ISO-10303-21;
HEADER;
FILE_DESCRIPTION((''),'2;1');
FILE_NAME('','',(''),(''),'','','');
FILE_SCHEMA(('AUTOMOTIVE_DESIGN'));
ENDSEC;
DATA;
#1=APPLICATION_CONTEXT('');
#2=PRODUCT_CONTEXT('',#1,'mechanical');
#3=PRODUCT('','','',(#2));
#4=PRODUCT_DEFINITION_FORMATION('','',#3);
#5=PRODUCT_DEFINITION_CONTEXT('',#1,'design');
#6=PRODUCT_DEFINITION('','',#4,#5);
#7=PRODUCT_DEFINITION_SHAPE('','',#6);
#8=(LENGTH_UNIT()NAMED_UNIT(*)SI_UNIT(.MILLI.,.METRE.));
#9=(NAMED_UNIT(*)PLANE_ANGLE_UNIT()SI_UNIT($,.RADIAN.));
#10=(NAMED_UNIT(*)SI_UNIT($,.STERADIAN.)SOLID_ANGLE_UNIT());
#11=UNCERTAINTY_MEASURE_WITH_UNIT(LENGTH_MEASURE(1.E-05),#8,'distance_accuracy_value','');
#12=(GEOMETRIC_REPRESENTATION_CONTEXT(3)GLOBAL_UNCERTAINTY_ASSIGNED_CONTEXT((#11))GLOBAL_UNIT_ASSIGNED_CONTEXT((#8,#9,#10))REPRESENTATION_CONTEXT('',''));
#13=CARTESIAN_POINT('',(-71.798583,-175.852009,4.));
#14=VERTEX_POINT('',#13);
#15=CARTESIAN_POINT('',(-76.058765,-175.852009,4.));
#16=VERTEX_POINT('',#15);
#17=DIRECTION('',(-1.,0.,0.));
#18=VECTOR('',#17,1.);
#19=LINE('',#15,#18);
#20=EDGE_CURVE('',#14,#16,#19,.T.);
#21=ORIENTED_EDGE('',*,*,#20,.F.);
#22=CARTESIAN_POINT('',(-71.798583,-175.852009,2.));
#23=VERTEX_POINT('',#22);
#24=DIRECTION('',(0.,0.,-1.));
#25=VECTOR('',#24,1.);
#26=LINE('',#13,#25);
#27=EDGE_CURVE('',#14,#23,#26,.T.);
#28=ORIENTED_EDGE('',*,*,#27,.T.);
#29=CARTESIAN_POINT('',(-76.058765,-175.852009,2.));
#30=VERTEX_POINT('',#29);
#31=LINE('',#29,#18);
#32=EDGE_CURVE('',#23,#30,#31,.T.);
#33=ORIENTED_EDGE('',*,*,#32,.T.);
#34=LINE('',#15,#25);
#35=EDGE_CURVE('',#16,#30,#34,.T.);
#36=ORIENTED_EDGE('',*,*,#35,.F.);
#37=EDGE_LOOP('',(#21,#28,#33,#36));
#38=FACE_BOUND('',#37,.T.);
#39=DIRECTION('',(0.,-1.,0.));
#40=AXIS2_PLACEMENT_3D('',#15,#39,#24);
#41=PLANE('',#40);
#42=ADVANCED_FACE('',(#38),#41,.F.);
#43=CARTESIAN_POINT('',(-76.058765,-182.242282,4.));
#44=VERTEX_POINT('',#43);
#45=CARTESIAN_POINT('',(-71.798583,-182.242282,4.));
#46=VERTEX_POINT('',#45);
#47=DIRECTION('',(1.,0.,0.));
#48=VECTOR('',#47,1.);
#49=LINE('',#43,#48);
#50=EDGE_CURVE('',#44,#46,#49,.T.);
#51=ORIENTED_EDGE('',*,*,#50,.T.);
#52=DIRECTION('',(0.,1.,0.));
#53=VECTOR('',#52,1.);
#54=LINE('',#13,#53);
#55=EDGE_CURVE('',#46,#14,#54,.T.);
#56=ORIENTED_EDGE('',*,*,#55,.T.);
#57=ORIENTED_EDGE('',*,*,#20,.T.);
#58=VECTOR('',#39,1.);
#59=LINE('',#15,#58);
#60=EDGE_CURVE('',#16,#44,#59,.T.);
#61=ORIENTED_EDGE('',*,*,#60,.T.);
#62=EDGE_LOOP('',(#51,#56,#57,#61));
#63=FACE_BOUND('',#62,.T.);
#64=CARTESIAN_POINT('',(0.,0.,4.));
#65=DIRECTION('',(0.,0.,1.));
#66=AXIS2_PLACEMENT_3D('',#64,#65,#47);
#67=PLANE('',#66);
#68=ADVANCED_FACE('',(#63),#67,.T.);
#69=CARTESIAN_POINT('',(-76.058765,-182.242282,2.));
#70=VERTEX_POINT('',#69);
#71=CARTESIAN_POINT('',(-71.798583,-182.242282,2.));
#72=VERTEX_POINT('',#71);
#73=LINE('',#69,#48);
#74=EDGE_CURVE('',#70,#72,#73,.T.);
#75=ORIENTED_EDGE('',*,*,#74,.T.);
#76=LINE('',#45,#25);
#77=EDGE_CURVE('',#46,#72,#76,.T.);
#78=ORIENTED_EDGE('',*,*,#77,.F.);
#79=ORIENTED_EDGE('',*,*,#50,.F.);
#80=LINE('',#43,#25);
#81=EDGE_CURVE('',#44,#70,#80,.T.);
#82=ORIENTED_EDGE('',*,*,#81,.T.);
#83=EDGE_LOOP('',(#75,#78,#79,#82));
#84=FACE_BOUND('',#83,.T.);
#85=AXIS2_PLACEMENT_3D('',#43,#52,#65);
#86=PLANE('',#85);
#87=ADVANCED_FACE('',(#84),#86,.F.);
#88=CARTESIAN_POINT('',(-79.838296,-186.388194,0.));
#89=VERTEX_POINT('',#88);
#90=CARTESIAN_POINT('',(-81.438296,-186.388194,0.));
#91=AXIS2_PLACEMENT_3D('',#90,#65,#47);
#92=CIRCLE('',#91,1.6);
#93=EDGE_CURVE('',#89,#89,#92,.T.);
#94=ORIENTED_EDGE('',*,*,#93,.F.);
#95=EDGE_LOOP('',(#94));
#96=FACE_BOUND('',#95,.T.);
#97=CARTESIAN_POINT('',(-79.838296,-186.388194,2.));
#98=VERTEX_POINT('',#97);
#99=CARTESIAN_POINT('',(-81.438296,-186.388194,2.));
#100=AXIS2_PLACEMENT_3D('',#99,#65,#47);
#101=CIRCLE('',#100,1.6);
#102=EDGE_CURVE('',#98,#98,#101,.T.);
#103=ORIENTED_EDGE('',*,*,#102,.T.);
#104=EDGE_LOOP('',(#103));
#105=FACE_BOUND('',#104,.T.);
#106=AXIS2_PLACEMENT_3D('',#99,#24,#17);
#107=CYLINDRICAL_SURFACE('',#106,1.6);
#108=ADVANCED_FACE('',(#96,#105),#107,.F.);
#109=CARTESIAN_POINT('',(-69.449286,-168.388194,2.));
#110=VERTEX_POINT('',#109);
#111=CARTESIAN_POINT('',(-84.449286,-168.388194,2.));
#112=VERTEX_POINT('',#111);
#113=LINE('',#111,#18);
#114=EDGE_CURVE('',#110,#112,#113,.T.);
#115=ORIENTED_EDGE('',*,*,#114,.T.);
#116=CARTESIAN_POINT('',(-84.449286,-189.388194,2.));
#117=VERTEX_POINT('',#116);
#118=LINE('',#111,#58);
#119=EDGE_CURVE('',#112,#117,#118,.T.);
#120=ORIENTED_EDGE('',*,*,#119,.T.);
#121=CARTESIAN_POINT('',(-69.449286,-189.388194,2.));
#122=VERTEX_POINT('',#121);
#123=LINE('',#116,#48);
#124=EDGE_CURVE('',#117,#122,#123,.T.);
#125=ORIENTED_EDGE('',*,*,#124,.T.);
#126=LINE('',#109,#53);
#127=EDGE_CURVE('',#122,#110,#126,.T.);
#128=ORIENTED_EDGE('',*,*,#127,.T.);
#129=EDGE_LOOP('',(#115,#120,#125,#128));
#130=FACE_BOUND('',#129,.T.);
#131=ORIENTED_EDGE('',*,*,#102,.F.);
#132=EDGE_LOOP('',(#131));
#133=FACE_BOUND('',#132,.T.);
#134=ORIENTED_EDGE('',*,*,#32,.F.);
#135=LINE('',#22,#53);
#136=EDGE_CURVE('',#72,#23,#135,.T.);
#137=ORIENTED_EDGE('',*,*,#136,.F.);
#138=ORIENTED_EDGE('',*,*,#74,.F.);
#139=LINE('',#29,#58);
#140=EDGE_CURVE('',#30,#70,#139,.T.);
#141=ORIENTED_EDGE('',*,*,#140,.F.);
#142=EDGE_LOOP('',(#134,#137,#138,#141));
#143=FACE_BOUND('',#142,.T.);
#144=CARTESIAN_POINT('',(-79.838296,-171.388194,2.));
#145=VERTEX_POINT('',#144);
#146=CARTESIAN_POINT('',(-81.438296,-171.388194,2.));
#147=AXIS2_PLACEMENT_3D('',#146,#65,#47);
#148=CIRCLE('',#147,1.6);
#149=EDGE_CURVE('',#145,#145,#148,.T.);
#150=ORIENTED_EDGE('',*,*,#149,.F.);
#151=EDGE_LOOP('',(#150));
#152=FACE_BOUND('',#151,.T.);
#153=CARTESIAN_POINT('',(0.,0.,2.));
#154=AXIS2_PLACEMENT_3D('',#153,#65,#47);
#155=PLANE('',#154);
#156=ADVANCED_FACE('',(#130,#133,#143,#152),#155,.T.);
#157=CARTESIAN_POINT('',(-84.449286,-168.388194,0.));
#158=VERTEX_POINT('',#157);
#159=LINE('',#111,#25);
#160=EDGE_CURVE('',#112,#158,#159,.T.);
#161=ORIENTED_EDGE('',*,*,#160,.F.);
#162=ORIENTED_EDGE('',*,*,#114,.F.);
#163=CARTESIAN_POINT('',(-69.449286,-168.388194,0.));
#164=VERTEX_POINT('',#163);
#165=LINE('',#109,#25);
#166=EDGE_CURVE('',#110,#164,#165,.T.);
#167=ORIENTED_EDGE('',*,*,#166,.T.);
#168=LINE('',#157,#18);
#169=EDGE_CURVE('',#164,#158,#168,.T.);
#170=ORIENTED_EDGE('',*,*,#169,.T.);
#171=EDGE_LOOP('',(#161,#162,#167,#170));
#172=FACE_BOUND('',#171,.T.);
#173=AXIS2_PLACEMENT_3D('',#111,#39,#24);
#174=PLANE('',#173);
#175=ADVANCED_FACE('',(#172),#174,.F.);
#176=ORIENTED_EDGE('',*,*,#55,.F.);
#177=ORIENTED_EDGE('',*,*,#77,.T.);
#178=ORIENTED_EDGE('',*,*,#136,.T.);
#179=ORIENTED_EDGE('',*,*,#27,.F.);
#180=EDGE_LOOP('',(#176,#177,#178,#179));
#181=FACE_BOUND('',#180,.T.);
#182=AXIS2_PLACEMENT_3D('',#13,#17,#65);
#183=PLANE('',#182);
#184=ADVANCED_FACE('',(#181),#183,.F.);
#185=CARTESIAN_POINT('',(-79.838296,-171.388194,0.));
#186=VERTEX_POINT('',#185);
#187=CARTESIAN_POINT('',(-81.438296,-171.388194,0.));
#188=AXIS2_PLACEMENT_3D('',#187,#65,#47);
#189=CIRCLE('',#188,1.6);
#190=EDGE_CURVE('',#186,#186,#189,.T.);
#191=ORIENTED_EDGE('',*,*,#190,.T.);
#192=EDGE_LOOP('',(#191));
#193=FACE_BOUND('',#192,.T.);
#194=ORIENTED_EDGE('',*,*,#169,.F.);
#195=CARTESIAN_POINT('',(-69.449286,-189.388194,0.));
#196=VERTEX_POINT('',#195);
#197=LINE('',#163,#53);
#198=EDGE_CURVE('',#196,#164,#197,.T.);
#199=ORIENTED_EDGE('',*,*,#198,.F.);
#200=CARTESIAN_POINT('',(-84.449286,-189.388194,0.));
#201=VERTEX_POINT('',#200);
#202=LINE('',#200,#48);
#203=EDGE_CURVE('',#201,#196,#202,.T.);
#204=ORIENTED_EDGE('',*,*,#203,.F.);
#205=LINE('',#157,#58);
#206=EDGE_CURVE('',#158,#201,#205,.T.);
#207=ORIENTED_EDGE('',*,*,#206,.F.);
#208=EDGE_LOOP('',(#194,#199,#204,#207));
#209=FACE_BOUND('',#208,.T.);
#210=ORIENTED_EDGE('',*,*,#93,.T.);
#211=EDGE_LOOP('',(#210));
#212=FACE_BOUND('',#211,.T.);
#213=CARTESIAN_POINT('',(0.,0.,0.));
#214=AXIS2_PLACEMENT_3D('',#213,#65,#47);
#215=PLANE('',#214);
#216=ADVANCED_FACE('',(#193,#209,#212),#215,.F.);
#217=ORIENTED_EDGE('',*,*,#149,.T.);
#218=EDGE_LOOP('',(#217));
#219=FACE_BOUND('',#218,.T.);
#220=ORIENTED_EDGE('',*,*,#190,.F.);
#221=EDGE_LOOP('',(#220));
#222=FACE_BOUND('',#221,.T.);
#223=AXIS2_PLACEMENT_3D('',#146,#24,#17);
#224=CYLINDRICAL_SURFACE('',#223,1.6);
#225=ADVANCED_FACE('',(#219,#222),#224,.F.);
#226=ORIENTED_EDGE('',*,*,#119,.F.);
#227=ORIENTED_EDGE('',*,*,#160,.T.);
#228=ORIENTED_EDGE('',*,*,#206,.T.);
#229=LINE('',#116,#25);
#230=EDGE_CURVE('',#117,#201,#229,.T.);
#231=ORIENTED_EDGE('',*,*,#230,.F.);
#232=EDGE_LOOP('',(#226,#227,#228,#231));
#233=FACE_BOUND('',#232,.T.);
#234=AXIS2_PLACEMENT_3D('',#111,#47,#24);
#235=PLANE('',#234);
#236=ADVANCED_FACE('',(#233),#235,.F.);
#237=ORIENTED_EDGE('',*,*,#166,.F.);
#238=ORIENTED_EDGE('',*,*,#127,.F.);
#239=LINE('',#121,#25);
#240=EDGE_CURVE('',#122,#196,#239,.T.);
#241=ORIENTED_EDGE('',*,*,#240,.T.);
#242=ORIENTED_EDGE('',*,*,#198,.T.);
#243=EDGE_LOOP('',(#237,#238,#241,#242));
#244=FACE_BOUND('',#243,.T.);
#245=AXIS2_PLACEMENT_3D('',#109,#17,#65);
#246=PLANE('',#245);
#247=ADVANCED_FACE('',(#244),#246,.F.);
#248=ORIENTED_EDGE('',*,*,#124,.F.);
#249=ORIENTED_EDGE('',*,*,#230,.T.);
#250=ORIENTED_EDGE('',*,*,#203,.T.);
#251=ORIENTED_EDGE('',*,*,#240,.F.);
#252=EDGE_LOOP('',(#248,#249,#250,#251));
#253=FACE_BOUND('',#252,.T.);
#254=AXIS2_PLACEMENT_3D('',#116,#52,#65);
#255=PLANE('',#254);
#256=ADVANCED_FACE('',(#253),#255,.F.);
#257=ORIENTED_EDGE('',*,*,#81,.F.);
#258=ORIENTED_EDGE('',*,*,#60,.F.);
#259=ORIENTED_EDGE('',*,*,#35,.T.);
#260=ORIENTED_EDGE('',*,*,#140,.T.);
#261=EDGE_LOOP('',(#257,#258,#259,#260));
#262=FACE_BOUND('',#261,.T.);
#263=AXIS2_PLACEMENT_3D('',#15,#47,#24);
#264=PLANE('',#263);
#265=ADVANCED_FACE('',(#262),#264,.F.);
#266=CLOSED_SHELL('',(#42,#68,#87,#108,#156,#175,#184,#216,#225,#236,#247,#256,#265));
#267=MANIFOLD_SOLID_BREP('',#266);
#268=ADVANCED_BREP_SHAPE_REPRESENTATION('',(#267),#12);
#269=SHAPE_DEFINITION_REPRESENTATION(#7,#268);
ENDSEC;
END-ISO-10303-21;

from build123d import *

# Parameters (mm, degrees)
SKETCH1_W           = 15
SKETCH1_H           = 21
SKETCH1_R           = 1.6
BOSS_EXTRUDE1_DEPTH = 2
SKETCH2_W           = 4.260182026
SKETCH2_H           = 6.390273039
BOSS_EXTRUDE2_DEPTH = 2


with BuildPart() as part:
    # Sketch1 → Boss-Extrude1 (new body)
    with BuildSketch(Plane.XY):
        with Locations((-76.94928615, -178.888194031)):
            Rectangle(SKETCH1_W, SKETCH1_H)
        with Locations((-81.438295894, -171.388194031)):
            Circle(SKETCH1_R, mode=Mode.SUBTRACT)
        with Locations((-81.438295894, -186.388194031)):
            Circle(SKETCH1_R, mode=Mode.SUBTRACT)
    extrude(amount=BOSS_EXTRUDE1_DEPTH)

    # Sketch2 → Boss-Extrude2 (add)
    with BuildSketch(Plane.XY.offset(2)):
        with Locations((-73.928674332, -179.047145903)):
            Rectangle(SKETCH2_W, SKETCH2_H)
    extrude(amount=BOSS_EXTRUDE2_DEPTH)


solid = part.part
